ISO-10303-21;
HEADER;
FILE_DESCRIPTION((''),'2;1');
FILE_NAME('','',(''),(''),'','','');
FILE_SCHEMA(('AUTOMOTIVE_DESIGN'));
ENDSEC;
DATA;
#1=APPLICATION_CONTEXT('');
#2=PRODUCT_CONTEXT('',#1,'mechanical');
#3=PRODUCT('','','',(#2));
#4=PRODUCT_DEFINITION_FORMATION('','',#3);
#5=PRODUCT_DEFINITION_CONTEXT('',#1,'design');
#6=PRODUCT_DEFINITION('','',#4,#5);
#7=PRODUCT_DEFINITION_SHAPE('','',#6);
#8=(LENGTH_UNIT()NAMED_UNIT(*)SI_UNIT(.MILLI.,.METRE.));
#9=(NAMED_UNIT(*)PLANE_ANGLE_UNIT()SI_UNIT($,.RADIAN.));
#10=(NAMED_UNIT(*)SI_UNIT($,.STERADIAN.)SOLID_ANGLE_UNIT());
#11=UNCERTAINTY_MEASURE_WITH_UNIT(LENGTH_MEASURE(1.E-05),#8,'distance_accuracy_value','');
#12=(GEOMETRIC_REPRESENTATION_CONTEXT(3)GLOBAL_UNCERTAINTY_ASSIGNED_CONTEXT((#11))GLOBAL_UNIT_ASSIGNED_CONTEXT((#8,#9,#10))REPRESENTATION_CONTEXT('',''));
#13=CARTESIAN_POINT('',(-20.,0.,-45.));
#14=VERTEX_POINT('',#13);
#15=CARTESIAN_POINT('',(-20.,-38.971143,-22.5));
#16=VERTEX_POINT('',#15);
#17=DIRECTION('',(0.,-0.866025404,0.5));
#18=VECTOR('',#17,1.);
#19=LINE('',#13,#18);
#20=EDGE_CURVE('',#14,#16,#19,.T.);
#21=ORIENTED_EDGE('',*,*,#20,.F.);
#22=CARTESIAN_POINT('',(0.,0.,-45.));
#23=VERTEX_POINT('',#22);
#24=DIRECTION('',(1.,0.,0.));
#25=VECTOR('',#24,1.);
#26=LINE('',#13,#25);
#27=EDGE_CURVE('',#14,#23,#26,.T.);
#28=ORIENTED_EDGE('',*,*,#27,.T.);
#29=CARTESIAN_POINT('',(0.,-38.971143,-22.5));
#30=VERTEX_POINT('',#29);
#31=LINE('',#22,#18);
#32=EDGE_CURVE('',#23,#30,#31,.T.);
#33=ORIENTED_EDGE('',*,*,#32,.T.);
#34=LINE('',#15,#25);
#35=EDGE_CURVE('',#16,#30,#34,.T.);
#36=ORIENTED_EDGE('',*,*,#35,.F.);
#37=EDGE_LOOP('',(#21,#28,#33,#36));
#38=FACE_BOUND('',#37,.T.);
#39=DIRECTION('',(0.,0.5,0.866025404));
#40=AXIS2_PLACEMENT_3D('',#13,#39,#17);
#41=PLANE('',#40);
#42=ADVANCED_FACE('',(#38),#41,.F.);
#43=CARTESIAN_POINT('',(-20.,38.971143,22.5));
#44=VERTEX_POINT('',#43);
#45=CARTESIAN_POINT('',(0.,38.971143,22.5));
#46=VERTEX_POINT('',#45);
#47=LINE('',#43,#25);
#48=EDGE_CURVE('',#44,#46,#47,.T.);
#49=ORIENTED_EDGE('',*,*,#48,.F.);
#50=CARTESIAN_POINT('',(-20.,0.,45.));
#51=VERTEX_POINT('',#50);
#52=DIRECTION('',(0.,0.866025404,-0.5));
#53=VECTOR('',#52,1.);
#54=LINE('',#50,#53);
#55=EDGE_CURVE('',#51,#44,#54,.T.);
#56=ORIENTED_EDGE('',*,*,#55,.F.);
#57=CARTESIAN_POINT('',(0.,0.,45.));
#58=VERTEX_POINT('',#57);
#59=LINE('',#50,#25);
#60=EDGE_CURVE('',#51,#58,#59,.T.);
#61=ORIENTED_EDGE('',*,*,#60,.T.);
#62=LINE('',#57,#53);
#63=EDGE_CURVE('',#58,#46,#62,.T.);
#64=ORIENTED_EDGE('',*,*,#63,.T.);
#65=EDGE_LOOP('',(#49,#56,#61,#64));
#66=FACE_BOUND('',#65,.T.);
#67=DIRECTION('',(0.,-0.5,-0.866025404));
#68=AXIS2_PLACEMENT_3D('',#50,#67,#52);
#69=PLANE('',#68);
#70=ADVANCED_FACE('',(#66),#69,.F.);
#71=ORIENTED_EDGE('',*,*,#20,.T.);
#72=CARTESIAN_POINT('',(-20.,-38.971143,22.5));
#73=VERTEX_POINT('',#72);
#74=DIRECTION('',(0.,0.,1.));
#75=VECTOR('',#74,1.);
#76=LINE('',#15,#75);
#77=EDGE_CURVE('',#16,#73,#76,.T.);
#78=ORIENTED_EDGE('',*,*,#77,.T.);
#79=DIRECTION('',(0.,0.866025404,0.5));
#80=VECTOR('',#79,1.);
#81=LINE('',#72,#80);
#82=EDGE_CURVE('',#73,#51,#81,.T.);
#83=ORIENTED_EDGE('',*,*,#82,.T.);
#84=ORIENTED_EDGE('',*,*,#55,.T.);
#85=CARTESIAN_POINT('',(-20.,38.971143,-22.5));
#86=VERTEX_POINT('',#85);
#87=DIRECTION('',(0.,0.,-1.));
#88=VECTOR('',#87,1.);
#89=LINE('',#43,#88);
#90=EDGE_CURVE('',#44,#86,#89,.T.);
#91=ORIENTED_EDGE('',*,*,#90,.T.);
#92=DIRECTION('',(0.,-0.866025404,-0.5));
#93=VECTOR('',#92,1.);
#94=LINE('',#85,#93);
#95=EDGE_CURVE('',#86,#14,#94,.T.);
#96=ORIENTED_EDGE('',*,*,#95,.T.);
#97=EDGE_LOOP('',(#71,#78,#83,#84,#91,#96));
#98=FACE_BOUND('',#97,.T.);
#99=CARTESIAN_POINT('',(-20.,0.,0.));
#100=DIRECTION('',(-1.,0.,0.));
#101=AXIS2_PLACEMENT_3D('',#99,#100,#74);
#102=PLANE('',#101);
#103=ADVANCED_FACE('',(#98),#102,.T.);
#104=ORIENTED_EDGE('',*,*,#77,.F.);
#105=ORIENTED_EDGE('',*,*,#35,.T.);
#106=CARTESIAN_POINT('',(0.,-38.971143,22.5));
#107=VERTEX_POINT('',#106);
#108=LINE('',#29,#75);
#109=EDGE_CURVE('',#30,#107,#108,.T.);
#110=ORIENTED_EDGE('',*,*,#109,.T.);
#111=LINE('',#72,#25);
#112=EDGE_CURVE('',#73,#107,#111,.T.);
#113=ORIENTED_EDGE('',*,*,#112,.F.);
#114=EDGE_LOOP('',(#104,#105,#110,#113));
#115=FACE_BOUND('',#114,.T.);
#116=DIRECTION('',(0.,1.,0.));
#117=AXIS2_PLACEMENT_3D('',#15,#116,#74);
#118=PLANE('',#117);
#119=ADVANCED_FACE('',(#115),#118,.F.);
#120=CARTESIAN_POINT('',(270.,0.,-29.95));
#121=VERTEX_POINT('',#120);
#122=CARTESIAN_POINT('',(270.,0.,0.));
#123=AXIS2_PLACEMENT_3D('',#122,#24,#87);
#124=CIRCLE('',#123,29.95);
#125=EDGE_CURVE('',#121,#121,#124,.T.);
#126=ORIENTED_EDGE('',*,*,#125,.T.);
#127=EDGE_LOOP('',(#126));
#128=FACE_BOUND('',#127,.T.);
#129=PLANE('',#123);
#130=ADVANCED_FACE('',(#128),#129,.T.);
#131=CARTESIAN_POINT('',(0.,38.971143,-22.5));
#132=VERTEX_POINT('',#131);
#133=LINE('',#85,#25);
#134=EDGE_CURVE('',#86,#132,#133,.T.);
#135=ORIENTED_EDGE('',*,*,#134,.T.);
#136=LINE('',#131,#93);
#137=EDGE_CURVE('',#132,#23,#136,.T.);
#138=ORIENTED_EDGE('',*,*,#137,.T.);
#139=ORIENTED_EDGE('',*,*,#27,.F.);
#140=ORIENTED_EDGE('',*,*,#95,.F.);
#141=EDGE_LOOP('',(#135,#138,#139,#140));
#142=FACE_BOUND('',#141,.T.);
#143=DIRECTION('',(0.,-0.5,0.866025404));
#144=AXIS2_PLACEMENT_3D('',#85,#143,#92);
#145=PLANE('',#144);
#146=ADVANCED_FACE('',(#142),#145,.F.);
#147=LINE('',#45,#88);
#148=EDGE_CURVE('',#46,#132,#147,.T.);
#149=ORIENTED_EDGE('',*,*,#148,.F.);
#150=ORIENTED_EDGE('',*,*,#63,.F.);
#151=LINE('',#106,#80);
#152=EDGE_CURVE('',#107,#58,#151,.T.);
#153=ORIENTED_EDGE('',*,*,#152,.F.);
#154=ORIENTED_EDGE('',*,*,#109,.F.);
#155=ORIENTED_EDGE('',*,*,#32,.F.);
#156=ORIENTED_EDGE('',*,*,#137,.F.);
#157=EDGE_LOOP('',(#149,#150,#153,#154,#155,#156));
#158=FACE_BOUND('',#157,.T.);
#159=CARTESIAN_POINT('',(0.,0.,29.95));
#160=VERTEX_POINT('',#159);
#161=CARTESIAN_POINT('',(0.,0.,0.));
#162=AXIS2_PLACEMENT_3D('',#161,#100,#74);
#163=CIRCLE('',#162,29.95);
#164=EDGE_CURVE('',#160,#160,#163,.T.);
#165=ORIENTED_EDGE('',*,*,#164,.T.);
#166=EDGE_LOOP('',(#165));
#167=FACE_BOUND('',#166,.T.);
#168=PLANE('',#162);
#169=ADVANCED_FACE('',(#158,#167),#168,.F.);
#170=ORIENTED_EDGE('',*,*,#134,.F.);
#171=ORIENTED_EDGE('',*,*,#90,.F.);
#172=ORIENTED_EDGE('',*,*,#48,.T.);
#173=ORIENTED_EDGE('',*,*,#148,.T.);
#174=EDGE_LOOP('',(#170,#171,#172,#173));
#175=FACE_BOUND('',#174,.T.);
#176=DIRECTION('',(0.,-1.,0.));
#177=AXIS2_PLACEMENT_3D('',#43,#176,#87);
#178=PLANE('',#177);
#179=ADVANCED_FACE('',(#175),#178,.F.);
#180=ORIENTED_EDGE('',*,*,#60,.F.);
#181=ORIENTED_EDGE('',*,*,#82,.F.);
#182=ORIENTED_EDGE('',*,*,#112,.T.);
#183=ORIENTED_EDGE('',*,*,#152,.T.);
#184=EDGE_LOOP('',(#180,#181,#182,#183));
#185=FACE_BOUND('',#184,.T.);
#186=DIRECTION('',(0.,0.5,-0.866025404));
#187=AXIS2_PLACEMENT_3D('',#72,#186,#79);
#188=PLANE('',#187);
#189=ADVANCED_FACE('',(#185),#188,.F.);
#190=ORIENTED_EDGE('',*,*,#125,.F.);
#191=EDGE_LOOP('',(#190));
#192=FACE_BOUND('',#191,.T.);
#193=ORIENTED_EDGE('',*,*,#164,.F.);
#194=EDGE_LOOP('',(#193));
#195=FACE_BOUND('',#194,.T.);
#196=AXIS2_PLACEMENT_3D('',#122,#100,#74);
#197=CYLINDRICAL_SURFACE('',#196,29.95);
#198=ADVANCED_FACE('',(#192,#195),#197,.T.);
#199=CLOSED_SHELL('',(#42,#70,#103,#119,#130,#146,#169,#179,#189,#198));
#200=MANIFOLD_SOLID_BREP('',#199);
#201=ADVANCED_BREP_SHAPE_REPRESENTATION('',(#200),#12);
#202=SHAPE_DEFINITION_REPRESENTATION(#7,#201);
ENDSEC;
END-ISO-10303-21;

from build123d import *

# Parameters (mm, degrees)
SKETCH1_R           = 29.95
BOSS_EXTRUDE1_DEPTH = 270
BOSS_EXTRUDE2_DEPTH = 20


with BuildPart() as part:
    # Sketch1 → Boss-Extrude1 (new body)
    with BuildSketch(Plane(origin=(0, 0, 0), x_dir=(0, 0, -1), z_dir=(1, 0, 0))):
        Circle(SKETCH1_R)
    extrude(amount=BOSS_EXTRUDE1_DEPTH)

    # Sketch2 → Boss-Extrude2 (add)
    with BuildSketch(Plane.ZY):
        Polygon((45, 0), (22.5, 38.97114317), (-22.5, 38.97114317), (-45, 0), (-22.5, -38.97114317), (22.5, -38.97114317), align=None)
    extrude(amount=BOSS_EXTRUDE2_DEPTH)


solid = part.part
